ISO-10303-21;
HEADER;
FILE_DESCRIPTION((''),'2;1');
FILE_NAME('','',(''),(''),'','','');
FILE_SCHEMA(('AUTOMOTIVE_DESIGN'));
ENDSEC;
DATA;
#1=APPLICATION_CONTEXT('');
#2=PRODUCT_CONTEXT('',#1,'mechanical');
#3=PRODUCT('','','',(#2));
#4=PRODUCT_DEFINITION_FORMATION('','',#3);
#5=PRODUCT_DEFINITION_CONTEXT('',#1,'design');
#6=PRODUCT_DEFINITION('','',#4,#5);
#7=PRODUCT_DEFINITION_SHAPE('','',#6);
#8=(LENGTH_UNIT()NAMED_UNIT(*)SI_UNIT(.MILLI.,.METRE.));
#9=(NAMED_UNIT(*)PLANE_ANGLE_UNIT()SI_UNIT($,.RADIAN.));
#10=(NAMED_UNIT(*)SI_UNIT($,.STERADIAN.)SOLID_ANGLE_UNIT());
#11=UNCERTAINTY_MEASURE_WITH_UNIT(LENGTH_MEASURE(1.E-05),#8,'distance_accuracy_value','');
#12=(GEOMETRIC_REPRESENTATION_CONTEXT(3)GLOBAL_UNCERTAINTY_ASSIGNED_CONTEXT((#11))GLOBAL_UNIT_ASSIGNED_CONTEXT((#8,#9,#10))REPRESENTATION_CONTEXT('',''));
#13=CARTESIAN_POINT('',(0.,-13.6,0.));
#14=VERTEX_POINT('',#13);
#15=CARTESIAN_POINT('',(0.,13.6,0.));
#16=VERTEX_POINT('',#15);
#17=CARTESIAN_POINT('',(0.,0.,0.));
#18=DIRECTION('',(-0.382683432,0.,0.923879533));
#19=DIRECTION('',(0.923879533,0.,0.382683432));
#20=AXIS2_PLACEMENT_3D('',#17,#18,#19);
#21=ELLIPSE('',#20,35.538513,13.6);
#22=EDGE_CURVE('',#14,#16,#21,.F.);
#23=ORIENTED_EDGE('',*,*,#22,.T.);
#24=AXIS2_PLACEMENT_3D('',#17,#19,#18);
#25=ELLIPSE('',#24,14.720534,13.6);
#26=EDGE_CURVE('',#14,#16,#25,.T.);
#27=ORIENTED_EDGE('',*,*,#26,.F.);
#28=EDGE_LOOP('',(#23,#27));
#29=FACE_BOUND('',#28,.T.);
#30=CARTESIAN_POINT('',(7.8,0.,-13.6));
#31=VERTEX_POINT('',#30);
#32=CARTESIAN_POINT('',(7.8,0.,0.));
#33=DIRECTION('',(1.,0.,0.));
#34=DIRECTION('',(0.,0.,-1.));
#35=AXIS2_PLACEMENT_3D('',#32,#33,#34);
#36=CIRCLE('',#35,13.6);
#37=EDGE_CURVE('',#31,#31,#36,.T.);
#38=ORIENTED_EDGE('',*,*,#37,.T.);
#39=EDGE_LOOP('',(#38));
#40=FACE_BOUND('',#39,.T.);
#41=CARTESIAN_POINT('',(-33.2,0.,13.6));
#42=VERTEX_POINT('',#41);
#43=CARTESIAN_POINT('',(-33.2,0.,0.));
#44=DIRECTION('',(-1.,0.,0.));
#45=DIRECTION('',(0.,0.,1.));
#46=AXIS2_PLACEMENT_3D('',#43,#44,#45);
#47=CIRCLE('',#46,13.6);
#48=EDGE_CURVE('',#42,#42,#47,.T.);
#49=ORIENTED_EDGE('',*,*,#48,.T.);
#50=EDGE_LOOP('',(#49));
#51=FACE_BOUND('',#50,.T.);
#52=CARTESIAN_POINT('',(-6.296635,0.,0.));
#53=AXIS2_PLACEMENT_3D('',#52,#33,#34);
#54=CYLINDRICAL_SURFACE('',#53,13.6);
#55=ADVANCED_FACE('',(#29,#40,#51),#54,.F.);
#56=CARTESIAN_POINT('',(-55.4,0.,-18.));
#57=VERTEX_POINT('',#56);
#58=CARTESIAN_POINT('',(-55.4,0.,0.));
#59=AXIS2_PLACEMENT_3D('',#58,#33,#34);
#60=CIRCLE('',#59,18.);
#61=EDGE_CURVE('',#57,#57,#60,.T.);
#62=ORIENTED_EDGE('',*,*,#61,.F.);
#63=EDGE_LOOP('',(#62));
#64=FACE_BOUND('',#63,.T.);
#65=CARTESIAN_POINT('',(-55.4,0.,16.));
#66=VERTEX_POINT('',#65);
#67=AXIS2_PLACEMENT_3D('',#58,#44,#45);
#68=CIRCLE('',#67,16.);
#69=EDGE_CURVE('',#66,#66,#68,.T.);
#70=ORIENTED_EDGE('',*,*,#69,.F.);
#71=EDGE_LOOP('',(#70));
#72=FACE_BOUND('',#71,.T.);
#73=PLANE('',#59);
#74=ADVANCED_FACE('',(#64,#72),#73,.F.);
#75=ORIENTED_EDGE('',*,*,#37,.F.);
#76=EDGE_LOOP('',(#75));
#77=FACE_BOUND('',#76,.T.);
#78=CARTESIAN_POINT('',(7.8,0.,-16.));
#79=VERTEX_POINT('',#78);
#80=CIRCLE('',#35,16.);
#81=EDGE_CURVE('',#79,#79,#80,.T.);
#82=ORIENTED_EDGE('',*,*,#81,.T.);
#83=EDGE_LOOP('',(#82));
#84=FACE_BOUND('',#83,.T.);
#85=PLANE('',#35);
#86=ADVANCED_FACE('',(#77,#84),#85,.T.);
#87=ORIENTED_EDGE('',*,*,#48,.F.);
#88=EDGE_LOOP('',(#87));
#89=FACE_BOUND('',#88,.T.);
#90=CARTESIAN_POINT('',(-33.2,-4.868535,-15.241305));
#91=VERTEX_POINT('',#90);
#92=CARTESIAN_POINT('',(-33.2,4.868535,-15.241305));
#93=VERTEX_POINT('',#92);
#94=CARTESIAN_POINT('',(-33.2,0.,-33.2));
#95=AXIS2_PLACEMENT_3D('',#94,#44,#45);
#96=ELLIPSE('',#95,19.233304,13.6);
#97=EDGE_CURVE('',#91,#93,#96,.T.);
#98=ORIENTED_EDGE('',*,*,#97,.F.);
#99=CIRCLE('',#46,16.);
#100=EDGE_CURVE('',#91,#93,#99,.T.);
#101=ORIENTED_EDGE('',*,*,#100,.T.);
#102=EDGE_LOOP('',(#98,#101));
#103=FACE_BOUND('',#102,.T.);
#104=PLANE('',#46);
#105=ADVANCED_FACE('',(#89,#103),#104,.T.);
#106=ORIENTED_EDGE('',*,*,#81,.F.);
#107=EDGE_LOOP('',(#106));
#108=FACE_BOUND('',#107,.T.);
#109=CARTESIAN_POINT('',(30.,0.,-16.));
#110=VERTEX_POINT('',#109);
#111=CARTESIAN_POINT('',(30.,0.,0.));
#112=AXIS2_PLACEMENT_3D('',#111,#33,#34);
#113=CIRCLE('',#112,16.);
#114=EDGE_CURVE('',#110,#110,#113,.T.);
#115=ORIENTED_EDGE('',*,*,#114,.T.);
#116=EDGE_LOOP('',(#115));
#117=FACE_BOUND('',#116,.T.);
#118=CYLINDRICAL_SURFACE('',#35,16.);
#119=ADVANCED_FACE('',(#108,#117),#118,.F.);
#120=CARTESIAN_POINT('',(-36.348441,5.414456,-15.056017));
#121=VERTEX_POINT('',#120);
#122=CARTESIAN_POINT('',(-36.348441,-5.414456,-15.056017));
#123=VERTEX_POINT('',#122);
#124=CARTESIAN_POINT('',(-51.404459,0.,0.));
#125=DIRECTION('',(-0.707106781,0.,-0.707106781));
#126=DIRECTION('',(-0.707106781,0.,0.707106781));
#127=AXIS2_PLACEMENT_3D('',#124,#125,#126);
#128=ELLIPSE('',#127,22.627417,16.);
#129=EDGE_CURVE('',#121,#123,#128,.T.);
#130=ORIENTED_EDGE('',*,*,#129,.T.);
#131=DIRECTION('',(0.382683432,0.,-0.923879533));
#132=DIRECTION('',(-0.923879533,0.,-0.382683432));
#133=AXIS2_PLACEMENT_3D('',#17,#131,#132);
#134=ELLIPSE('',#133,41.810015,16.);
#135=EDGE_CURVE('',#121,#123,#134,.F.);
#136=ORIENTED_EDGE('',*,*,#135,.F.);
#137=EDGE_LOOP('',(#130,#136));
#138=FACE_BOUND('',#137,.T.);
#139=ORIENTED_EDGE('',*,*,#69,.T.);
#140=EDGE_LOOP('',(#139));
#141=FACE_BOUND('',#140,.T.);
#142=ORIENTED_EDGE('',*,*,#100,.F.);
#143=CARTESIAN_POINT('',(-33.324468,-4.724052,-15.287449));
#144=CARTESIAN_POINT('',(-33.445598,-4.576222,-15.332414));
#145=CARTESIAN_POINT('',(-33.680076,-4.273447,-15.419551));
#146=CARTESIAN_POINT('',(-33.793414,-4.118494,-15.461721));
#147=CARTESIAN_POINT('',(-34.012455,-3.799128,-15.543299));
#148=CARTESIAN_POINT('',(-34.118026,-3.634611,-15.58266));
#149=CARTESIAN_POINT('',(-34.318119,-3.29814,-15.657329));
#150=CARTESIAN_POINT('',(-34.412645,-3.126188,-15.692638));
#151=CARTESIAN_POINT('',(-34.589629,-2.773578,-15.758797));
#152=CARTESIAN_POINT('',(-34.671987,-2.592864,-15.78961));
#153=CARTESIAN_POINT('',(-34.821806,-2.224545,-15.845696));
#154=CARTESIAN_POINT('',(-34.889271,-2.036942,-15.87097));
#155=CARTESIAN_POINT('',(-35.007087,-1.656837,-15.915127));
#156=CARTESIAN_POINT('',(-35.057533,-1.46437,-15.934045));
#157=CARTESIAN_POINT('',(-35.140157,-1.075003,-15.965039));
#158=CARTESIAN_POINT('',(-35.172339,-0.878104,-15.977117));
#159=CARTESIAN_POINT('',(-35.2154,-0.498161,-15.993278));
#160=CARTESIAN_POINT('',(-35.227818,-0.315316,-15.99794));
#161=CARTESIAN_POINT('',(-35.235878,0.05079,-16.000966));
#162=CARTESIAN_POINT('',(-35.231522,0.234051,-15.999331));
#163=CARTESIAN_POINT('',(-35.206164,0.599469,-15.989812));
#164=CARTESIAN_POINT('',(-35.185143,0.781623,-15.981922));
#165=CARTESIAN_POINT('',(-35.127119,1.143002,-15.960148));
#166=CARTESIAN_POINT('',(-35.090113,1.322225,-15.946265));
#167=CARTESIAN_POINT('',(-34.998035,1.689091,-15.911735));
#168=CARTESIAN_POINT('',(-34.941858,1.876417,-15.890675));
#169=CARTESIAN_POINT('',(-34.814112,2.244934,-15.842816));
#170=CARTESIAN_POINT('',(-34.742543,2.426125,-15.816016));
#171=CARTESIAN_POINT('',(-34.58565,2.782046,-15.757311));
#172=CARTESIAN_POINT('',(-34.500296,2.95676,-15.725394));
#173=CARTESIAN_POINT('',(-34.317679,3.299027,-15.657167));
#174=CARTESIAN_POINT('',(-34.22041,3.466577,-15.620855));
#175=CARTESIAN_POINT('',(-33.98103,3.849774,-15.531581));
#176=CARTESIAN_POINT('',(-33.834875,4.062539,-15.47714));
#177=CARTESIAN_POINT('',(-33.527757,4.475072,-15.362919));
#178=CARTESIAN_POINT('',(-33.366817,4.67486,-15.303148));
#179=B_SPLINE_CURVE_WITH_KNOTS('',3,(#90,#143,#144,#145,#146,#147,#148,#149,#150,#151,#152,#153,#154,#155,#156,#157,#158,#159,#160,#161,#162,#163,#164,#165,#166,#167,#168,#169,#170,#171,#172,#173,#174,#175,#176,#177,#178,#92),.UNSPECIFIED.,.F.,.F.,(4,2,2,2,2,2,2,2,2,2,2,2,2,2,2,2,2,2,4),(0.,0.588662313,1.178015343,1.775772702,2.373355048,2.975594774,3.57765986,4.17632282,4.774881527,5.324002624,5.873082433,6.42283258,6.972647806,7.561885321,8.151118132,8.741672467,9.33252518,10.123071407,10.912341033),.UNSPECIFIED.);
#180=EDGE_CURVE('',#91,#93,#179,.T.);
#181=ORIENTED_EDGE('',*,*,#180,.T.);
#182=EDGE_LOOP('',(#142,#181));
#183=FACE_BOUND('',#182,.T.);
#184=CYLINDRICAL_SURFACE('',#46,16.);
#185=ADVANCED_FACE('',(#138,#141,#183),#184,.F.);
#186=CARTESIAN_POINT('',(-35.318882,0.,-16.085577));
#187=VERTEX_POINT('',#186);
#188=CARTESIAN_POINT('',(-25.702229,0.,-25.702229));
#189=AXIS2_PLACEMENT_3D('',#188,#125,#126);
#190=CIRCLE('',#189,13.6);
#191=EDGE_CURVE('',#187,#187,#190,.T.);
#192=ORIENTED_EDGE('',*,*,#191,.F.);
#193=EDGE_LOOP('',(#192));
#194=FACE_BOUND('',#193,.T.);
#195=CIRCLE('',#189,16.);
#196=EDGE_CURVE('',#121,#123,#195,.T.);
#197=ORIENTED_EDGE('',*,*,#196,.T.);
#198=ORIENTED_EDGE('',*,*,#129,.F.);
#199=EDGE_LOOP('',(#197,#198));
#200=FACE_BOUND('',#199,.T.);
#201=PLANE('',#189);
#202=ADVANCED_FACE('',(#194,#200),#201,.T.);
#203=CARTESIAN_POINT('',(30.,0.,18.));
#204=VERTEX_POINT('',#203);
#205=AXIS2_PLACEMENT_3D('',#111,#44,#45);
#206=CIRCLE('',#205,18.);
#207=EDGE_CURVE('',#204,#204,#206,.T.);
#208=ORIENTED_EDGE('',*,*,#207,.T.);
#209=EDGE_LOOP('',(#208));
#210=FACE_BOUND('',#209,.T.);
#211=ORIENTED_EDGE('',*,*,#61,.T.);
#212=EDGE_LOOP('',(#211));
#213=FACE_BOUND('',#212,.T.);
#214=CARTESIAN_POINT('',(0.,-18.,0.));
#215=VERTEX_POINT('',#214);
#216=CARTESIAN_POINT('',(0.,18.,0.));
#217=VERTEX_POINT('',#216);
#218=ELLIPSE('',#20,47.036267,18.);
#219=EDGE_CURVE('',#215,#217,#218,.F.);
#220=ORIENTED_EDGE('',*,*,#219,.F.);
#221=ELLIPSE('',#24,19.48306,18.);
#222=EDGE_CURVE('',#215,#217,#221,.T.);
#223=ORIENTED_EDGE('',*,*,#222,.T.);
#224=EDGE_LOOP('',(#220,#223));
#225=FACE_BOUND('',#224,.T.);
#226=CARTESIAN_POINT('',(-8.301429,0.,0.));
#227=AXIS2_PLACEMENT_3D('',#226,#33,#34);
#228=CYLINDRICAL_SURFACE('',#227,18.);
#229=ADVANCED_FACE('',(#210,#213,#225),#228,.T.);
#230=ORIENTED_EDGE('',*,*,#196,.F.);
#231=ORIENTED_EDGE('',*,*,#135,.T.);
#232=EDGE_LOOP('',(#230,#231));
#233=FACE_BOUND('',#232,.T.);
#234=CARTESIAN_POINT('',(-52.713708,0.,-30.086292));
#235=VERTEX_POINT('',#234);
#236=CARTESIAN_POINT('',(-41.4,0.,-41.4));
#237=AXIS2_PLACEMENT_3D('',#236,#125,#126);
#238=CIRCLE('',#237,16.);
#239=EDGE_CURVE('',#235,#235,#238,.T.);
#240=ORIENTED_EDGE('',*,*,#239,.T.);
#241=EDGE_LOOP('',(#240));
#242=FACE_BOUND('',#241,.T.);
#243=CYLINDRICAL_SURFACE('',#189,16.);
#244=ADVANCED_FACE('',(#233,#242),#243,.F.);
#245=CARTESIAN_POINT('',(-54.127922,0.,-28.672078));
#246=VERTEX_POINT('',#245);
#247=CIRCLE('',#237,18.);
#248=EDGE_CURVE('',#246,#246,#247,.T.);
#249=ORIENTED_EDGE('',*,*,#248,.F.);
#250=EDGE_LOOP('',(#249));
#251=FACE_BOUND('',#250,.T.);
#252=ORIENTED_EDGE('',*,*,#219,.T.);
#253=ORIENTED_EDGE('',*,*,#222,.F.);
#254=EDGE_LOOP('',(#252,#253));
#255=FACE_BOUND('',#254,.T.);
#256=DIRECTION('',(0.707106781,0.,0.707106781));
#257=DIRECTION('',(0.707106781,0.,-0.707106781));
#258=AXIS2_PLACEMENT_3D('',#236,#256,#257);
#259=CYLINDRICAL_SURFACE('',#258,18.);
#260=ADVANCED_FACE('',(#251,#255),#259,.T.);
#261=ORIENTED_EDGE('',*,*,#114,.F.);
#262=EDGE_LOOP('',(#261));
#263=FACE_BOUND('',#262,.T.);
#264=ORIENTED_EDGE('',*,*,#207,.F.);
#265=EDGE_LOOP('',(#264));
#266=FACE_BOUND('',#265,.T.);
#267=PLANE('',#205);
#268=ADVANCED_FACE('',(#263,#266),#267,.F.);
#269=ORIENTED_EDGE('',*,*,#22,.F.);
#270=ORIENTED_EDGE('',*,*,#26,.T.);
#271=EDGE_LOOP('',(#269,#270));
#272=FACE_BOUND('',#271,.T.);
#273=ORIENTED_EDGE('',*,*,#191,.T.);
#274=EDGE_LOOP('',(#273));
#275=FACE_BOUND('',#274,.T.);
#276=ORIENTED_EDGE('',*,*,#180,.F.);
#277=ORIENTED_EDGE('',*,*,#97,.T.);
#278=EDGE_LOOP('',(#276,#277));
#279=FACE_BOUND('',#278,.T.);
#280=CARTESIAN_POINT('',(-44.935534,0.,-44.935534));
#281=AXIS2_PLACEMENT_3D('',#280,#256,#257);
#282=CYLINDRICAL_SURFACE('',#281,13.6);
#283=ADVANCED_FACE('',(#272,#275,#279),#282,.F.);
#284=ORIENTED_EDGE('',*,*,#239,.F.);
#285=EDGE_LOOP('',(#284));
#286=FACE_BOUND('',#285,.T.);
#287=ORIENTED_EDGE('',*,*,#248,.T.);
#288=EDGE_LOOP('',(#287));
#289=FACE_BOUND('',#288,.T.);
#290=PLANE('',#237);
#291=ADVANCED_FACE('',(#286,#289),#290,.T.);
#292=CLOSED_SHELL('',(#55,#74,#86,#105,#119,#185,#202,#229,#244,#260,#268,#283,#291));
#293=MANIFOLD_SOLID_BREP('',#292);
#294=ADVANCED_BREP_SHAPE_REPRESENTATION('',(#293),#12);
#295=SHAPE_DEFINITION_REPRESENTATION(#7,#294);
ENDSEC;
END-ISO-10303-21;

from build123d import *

# Parameters (mm, degrees)
SWEEP_1_PROFILE_R   = 18
SKETCH_35_R         = 18
EXTRUDE_1_DEPTH     = 85.4
SWEEP_1_2_PROFILE_R = 13.6
SKETCH_56_R         = 13.6
CUT_EXTRUDE_3_DEPTH = 103.698548903
SKETCH_33_R         = 16
CUT_EXTRUDE_1_DEPTH = 22.2
SKETCH_34_R         = 16
CUT_EXTRUDE_2_DEPTH = 22.2
CUT_EXTRUDE_START   = -22.2
SKETCH_56_4_R       = 16
CUT_EXTRUDE_4_DEPTH = 22.2


with BuildPart() as part:
    # Sweep 1: sweep along a path in 草图1
    with BuildLine(Plane(origin=(0, 0, 0), x_dir=(1, 0, 0), z_dir=(0, 1, 0))) as sweep_1_path:
        Line((-41.4, 41.4), (0, 0))
        Line((0, 0), (30, 0))
    # Sweep 1 profile (on start of the path) → Sweep 1 (sweep)
    with BuildSketch(Plane(origin=(-41.4, 0, -41.4), x_dir=(0.7071067811865488, 0, -0.7071067811865462), z_dir=(0.7071067811865462, 0, 0.7071067811865488))):
        Circle(SWEEP_1_PROFILE_R)
    sweep(path=sweep_1_path.line, transition=Transition.RIGHT)

    # 草图35 → 凸台-拉伸1 (add)
    with BuildSketch(Plane(origin=(30, 0, 0), x_dir=(0, 0, -1), z_dir=(1, 0, 0))):
        Circle(SKETCH_35_R)
    extrude(amount=-EXTRUDE_1_DEPTH)

    # Sweep 1 2: sweep along a path in 草图1<11>
    with BuildLine(Plane(origin=(0, 0, 0), x_dir=(1, 0, 0), z_dir=(0, 1, 0))) as sweep_1_2_path:
        Line((-41.4, 41.4), (0, 0))
        Line((0, 0), (30, 0))
    # Sweep 1 2 profile (on start of the path) → Sweep 1 2 (sweep, cut)
    with BuildSketch(Plane(origin=(-41.4, 0, -41.4), x_dir=(0.7071067811865488, 0, -0.7071067811865462), z_dir=(0.7071067811865462, 0, 0.7071067811865488))):
        Circle(SWEEP_1_2_PROFILE_R)
    sweep(path=sweep_1_2_path.line, transition=Transition.RIGHT, mode=Mode.SUBTRACT)

    # 草图56 → 切除-拉伸3 (cut, through all)
    with BuildSketch(Plane.ZY.offset(55.4)):
        Circle(SKETCH_56_R)
    extrude(amount=-CUT_EXTRUDE_3_DEPTH, mode=Mode.SUBTRACT)

    # 草图33 → 切除-拉伸1 (cut)
    with BuildSketch(Plane(origin=(30, 0, 0), x_dir=(0, 0, -1), z_dir=(1, 0, 0))):
        Circle(SKETCH_33_R)
    extrude(amount=-CUT_EXTRUDE_1_DEPTH, mode=Mode.SUBTRACT)

    # 草图34 → 切除-拉伸2 (cut)
    with BuildSketch(Plane(origin=(-41.4, 0, -41.4), x_dir=(-0.7071067811865486, 0, 0.7071067811865465), z_dir=(-0.7071067811865465, 0, -0.7071067811865486))):
        Circle(SKETCH_34_R)
    extrude(amount=-CUT_EXTRUDE_2_DEPTH, mode=Mode.SUBTRACT)

    # 草图56<4> → 切除-拉伸4 (cut)
    with BuildSketch(Plane.ZY.offset(55.4).offset(CUT_EXTRUDE_START)):
        Circle(SKETCH_56_4_R)
    extrude(amount=CUT_EXTRUDE_4_DEPTH, mode=Mode.SUBTRACT)


solid = part.part
